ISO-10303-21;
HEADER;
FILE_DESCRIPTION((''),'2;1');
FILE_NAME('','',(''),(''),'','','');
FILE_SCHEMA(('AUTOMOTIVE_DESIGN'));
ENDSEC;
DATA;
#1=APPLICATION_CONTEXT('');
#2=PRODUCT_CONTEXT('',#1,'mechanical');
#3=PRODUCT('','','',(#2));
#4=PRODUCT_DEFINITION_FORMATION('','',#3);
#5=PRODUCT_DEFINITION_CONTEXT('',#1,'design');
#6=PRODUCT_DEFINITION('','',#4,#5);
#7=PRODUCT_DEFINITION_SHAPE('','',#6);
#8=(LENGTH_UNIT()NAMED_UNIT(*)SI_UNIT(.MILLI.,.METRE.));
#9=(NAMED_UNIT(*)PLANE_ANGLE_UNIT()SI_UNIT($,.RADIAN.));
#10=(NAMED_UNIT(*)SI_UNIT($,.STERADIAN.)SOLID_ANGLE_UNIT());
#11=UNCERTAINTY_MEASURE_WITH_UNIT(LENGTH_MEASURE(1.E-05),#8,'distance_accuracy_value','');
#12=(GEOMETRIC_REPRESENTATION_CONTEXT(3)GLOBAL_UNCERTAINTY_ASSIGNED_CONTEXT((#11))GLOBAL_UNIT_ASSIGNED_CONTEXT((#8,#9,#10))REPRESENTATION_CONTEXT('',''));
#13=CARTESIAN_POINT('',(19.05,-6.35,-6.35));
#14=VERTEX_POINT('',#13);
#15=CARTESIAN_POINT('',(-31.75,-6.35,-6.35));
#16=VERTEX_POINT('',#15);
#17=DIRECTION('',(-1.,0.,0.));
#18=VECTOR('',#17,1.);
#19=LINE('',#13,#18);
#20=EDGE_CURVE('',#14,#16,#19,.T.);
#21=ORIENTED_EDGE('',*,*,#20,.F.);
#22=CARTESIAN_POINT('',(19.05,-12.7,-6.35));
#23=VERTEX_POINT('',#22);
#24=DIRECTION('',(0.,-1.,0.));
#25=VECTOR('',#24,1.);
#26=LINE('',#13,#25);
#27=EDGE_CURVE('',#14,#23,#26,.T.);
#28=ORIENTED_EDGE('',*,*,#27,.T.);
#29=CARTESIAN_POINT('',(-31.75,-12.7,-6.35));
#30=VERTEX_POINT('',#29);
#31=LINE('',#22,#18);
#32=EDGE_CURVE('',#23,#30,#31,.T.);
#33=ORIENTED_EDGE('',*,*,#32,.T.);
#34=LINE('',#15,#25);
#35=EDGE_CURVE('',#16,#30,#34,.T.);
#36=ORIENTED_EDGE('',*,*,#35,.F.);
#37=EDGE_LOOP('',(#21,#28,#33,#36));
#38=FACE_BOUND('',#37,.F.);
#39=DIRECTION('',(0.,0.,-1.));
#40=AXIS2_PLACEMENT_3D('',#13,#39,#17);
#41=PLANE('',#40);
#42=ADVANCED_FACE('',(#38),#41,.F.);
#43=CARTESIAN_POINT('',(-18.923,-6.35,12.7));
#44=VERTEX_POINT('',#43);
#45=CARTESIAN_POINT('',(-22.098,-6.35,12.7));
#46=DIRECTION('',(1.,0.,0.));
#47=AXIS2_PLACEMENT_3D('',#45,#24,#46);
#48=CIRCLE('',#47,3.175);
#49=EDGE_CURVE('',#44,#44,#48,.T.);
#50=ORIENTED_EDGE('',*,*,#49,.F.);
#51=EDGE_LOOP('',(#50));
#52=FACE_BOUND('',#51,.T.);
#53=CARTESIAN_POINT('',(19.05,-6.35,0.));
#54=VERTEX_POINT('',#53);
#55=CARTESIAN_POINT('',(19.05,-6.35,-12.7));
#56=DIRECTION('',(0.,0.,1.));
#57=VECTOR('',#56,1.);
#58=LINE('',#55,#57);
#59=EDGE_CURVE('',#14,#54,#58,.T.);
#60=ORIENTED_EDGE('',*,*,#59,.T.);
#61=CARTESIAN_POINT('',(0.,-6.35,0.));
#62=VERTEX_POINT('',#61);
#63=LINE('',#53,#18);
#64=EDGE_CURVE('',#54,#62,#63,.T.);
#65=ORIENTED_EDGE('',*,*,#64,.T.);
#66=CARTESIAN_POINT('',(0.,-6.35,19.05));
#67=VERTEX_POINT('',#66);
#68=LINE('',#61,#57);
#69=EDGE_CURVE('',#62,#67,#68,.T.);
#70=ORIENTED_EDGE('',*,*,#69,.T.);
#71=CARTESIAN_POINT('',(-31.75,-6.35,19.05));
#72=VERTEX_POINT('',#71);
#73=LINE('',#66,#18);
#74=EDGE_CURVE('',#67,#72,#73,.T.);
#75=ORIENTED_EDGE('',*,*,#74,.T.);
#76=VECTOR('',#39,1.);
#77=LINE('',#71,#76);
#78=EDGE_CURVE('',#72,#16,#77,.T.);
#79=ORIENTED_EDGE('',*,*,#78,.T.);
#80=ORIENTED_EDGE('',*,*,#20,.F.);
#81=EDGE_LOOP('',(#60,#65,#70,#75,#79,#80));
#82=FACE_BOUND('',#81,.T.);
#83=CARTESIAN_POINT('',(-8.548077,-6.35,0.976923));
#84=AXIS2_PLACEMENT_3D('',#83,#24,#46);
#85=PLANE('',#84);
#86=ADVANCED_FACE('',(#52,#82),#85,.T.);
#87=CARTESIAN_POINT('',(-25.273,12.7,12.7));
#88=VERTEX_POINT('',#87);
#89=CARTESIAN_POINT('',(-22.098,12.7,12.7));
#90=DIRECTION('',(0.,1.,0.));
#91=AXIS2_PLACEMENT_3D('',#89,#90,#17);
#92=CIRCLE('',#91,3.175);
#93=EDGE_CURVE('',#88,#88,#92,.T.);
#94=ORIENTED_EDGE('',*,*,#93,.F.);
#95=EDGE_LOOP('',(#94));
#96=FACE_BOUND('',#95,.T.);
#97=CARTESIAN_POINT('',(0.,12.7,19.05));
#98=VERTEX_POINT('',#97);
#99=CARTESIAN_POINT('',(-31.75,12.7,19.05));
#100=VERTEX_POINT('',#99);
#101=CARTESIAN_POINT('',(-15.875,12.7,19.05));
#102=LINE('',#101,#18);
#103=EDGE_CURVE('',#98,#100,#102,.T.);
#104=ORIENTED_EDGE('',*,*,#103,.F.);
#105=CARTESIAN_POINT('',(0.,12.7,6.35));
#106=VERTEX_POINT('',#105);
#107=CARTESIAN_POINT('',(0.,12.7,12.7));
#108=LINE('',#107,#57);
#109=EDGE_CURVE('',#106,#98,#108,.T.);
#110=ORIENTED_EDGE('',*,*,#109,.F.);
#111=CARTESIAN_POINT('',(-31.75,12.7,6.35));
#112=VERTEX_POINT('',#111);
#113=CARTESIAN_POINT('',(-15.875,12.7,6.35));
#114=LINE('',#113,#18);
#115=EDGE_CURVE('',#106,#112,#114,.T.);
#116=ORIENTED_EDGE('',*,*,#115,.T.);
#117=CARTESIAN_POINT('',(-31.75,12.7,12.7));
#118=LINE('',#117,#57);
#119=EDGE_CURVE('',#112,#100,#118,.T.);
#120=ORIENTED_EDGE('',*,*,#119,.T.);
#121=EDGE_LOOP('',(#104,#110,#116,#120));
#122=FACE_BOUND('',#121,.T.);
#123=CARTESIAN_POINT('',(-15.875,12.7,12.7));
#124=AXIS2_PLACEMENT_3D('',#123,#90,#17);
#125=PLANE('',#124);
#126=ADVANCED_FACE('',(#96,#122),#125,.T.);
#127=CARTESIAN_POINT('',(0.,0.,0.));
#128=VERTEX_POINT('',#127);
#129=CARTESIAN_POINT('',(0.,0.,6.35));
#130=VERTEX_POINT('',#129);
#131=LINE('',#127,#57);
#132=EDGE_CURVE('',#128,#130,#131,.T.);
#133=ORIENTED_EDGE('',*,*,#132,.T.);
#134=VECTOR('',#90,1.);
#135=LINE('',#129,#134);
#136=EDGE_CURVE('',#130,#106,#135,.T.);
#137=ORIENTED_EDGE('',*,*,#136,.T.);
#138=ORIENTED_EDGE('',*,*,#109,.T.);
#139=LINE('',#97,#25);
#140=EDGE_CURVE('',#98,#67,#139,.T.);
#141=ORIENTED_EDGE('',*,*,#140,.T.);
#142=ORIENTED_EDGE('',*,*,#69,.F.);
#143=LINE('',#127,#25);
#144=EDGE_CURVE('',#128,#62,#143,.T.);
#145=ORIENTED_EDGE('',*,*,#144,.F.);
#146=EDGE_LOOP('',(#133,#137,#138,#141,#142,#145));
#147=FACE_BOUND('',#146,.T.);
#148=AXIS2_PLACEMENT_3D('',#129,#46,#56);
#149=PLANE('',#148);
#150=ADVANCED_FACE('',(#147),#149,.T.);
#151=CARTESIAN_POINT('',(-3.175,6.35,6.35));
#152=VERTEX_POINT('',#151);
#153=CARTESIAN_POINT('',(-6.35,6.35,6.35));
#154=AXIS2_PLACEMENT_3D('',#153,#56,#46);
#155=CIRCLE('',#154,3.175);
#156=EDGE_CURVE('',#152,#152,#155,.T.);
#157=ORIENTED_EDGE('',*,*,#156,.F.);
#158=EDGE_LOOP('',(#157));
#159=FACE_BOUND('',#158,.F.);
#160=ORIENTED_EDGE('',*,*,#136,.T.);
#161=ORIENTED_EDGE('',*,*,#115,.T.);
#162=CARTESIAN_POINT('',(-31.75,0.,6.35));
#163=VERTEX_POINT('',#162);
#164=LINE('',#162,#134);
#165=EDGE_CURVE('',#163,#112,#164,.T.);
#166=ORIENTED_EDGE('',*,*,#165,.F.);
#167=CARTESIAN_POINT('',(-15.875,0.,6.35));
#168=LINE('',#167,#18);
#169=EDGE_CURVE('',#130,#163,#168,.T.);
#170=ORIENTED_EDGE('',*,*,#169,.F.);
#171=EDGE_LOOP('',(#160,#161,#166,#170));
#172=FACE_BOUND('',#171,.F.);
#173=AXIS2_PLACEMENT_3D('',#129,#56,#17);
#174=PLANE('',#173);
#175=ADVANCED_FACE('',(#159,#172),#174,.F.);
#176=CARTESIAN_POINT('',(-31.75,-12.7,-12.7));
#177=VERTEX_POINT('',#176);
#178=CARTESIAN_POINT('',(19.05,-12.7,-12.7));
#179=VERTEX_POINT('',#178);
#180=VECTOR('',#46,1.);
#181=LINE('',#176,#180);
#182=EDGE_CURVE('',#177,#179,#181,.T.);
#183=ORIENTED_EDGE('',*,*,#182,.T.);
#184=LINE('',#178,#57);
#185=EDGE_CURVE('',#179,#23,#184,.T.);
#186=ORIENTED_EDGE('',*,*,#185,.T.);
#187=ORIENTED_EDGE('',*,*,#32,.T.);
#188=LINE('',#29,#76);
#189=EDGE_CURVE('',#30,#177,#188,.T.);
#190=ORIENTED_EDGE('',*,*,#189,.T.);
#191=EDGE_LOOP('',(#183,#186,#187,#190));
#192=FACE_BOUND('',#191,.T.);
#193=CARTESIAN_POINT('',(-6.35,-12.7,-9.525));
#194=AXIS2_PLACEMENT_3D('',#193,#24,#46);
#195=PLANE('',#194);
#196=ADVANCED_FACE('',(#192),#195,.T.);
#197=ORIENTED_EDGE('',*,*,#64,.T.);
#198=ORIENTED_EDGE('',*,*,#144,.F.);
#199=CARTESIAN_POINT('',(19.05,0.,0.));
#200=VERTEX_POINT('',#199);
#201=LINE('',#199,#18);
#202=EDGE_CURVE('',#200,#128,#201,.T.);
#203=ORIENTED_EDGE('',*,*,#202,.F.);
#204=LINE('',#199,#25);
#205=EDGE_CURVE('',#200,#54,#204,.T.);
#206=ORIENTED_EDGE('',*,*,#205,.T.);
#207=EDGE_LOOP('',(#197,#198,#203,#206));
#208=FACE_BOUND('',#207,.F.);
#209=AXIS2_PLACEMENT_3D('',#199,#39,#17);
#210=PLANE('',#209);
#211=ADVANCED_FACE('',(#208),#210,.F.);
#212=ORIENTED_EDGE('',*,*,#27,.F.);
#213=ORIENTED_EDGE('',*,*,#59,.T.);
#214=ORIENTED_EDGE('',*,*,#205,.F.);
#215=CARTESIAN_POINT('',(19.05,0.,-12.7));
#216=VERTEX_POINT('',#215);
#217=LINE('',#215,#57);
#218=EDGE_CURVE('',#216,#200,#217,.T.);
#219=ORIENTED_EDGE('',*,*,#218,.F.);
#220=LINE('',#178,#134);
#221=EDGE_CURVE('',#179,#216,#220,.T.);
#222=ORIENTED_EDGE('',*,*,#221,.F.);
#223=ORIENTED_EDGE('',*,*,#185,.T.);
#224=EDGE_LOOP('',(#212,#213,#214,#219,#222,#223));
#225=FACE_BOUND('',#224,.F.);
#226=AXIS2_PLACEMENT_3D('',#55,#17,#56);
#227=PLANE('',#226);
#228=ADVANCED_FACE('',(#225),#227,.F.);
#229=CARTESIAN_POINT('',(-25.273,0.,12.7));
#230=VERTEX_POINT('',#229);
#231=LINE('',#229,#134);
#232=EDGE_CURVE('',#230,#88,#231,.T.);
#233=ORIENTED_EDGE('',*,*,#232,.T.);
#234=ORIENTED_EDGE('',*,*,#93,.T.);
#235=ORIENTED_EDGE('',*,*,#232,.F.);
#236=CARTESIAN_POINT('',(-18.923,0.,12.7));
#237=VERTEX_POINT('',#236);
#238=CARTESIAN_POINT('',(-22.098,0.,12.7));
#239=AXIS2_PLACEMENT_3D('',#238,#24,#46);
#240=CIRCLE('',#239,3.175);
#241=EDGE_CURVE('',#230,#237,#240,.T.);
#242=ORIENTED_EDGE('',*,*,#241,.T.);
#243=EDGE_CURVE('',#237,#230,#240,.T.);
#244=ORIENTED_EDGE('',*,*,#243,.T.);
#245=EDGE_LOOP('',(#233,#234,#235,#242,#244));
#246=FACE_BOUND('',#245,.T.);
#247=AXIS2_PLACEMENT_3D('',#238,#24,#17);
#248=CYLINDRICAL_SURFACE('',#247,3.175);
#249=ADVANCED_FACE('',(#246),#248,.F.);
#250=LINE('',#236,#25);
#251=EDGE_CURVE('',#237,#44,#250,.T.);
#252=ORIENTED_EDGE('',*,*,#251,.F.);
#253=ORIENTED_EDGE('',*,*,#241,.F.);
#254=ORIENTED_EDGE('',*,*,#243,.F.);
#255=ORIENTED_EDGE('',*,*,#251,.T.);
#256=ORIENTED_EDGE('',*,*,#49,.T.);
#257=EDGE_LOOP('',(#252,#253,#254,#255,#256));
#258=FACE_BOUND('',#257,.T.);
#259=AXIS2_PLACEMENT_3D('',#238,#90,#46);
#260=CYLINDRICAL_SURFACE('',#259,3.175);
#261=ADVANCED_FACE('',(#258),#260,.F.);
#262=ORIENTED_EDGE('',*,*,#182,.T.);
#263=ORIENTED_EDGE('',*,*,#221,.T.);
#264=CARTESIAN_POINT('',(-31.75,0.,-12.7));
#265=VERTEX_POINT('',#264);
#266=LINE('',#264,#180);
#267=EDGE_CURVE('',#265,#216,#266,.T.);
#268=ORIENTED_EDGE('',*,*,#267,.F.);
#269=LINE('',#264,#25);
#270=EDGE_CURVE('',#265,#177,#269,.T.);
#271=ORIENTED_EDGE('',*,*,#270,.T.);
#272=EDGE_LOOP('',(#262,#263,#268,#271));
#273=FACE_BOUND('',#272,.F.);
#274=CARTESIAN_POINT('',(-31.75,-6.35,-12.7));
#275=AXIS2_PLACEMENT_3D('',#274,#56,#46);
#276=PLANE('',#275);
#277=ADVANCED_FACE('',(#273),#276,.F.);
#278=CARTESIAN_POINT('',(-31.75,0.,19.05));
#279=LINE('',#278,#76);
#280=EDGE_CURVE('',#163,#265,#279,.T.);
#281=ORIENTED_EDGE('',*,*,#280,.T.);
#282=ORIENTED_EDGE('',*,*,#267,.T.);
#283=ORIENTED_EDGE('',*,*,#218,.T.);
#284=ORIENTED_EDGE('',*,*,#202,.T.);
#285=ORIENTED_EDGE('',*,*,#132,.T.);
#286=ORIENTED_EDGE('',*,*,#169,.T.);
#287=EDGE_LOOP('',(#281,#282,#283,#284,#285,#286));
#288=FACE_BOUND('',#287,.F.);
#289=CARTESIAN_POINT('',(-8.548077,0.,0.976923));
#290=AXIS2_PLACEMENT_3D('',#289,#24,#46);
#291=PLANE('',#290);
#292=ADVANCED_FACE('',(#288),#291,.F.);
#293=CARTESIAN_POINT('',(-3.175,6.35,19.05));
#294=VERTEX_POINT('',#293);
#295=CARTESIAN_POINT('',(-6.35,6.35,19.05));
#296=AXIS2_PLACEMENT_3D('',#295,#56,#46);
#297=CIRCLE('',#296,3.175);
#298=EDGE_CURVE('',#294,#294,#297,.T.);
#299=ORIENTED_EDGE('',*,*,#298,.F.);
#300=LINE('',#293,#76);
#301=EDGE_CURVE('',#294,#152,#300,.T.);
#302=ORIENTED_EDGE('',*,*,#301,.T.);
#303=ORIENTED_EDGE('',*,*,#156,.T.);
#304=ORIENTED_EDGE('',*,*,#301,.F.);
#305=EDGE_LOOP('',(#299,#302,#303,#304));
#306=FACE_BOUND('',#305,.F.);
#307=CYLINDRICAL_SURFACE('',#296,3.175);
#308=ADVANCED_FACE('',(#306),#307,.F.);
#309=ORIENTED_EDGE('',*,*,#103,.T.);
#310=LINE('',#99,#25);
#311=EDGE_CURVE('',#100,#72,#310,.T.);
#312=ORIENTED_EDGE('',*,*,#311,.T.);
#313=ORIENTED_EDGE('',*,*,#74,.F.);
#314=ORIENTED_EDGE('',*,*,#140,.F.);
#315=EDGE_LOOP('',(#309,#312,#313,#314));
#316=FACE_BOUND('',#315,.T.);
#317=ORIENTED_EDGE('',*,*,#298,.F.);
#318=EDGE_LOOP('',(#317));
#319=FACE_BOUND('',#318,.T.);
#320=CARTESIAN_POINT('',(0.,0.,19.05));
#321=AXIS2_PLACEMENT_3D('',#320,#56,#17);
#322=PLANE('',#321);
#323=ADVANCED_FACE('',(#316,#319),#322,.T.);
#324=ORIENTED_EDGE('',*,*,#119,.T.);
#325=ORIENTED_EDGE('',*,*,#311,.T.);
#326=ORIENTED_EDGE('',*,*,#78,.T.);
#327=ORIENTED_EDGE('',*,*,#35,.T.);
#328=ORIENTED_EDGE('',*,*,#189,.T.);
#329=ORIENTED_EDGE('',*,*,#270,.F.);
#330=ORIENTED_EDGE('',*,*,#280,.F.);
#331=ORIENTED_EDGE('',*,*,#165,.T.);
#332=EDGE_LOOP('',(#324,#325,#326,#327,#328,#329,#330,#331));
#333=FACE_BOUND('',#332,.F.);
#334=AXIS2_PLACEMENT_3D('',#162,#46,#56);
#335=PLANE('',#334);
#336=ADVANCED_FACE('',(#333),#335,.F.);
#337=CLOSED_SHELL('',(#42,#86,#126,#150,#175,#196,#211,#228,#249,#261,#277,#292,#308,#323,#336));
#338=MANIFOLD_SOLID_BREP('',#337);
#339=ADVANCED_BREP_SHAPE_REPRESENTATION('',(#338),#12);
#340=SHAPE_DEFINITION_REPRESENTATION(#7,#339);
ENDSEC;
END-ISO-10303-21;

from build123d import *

# Parameters (mm, degrees)
F0_R     = 3.175
F1_DEPTH = 6.35
F3_DEPTH = 6.35
F4_W     = 31.75
F4_H     = 12.7
F4_R     = 3.175
F5_DEPTH = 12.7
F6_R     = 3.175
F7_DEPTH = 25.4


with BuildPart() as f1:
    # F0 (on Front) → F1 (new body)
    with BuildSketch(Plane.XZ):
        Polygon((19.05, 0), (0, 0), (0, 19.05), (-31.75, 19.05), (-31.75, -12.7), (19.05, -12.7), align=None)
        with Locations((-22.098, 12.7)):
            Circle(F0_R, mode=Mode.SUBTRACT)
    extrude(amount=F1_DEPTH)

    # F2 (on face) → F3 (join)
    with BuildSketch(Plane.XZ.offset(6.35)):
        Polygon((19.05, -6.35), (0, -6.35), (-31.75, -6.35), (-31.75, -12.7), (0, -12.7), (19.05, -12.7), align=None)
    extrude(amount=F3_DEPTH)

    # F4 (on face) → F5 (join)
    with BuildSketch(Plane(origin=(0, 0, 0), x_dir=(-1, 0, 0), z_dir=(0, 1, 0))):
        with Locations((15.875, 12.7)):
            Rectangle(F4_W, F4_H)
        with Locations((22.098, 12.7)):
            Circle(F4_R, mode=Mode.SUBTRACT)
    extrude(amount=F5_DEPTH)

    # F6 (on face) → F7 (cut)
    with BuildSketch(Plane.XY.offset(19.05)):
        with Locations((-6.35, 6.35)):
            Circle(F6_R)
    extrude(amount=-F7_DEPTH, mode=Mode.SUBTRACT)


solid = f1.part
